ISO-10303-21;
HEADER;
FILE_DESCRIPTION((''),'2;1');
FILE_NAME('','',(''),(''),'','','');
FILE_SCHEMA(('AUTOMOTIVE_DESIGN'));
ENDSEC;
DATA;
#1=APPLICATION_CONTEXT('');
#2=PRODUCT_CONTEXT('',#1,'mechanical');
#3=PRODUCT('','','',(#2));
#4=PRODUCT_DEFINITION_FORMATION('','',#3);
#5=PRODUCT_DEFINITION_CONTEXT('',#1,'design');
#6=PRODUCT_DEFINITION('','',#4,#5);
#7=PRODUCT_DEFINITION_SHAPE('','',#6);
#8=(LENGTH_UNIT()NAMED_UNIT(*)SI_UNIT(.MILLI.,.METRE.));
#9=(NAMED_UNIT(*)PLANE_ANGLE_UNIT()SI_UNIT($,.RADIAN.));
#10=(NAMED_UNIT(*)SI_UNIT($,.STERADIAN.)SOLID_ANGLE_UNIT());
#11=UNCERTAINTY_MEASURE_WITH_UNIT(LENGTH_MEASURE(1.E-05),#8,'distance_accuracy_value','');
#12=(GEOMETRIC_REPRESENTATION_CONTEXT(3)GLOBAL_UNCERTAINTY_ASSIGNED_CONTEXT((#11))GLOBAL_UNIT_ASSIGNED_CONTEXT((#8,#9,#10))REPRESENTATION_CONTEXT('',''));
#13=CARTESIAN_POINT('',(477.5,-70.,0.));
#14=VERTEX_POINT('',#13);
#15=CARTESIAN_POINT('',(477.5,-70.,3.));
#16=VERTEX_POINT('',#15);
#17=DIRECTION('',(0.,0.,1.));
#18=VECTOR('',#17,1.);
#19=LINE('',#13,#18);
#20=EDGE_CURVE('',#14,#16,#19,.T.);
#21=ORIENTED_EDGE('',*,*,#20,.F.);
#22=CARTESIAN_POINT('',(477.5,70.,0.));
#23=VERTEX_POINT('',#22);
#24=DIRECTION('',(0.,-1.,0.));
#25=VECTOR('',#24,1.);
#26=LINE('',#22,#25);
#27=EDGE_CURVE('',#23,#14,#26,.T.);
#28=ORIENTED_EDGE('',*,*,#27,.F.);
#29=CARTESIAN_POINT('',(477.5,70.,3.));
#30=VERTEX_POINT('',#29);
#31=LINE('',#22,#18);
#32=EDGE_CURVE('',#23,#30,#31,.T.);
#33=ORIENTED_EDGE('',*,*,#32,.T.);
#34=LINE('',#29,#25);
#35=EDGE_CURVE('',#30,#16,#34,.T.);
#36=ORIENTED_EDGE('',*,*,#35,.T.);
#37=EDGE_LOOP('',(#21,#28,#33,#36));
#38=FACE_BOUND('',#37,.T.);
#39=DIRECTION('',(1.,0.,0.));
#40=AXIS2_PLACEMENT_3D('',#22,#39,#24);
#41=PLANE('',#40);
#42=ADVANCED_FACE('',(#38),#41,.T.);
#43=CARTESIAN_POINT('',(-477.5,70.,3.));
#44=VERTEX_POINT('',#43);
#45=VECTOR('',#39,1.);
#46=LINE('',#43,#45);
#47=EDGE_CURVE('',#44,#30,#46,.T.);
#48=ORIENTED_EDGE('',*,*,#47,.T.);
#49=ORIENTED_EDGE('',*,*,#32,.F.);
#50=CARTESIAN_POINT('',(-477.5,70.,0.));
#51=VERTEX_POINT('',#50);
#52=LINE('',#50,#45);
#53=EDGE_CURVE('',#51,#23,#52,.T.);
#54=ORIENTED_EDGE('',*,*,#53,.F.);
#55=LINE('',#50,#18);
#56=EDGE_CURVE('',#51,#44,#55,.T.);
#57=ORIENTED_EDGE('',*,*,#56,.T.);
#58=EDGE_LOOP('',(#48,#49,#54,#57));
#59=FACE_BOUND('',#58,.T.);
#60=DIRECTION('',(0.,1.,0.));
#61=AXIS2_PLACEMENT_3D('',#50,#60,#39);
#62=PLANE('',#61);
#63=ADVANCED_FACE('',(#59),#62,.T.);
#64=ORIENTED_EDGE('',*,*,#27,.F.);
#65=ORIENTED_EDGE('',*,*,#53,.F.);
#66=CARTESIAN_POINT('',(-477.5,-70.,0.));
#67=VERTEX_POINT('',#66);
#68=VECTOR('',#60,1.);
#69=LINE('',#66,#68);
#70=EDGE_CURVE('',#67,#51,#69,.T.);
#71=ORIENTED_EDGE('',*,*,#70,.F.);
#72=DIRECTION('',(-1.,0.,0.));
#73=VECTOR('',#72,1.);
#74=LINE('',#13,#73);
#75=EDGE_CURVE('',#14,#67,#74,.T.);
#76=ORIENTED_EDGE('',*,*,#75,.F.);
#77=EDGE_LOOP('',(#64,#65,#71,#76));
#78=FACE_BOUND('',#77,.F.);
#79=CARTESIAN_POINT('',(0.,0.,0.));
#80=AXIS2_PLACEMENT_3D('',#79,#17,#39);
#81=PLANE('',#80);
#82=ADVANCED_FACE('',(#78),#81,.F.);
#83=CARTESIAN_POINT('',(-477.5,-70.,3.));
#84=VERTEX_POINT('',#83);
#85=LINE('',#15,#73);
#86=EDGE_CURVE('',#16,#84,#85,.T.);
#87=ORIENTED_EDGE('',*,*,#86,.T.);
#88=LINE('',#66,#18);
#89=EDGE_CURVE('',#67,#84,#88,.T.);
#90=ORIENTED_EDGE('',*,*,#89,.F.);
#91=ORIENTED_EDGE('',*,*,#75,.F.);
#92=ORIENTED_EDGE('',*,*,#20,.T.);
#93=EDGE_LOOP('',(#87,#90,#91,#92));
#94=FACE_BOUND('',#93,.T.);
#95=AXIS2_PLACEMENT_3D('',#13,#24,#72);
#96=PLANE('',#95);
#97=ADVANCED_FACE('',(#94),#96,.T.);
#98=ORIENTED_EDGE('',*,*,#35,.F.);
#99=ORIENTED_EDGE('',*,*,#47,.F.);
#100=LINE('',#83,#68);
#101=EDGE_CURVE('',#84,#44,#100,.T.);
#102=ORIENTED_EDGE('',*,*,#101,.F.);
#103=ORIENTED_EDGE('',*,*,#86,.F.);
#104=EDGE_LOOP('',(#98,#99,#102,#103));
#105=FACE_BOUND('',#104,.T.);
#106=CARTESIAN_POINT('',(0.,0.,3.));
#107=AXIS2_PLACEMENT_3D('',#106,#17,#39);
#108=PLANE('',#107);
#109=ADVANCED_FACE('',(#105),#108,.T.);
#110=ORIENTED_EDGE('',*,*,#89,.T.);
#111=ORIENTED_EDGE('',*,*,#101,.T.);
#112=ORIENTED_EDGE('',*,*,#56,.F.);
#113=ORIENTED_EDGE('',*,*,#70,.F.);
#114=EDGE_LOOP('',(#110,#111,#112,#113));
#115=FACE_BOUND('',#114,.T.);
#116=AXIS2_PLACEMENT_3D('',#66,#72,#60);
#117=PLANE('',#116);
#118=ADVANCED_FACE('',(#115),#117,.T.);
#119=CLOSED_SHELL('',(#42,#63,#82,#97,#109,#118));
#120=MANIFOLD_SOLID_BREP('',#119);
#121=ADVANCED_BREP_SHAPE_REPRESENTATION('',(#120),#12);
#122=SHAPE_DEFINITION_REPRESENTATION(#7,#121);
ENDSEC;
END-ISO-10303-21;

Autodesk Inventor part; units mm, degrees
ref_plane "YZ Plane" through (0, 0, 0) normal (1, 0, 0) x (0, 1, 0)
ref_plane "XZ Plane" through (0, 0, 0) normal (0, 1, 0) x (-1, 0, 0)
ref_plane "XY Plane" through (0, 0, 0) normal (0, 0, 1) x (1, 0, 0)
sketch "草图1" plane through (0, 0, 0) normal (0, 0, 1) x (1, 0, 0)
  line L0 (477.5, -70) -> (-477.5, -70)
  line L1 (-477.5, -70) -> (-477.5, 70)
  line L2 (-477.5, 70) -> (477.5, 70)
  line L3 (477.5, 70) -> (477.5, -70)
  line L4 (477.5, -70) -> (-477.5, 70) construction
  line L5 (-477.5, -70) -> (477.5, 70) construction
  point P0 (0, 0)
  dimension "d0" = 955
  dimension "d1" = 140
extrude "拉伸1" add sketch "草图1" along normal blind 3
properties part number "板材2"
